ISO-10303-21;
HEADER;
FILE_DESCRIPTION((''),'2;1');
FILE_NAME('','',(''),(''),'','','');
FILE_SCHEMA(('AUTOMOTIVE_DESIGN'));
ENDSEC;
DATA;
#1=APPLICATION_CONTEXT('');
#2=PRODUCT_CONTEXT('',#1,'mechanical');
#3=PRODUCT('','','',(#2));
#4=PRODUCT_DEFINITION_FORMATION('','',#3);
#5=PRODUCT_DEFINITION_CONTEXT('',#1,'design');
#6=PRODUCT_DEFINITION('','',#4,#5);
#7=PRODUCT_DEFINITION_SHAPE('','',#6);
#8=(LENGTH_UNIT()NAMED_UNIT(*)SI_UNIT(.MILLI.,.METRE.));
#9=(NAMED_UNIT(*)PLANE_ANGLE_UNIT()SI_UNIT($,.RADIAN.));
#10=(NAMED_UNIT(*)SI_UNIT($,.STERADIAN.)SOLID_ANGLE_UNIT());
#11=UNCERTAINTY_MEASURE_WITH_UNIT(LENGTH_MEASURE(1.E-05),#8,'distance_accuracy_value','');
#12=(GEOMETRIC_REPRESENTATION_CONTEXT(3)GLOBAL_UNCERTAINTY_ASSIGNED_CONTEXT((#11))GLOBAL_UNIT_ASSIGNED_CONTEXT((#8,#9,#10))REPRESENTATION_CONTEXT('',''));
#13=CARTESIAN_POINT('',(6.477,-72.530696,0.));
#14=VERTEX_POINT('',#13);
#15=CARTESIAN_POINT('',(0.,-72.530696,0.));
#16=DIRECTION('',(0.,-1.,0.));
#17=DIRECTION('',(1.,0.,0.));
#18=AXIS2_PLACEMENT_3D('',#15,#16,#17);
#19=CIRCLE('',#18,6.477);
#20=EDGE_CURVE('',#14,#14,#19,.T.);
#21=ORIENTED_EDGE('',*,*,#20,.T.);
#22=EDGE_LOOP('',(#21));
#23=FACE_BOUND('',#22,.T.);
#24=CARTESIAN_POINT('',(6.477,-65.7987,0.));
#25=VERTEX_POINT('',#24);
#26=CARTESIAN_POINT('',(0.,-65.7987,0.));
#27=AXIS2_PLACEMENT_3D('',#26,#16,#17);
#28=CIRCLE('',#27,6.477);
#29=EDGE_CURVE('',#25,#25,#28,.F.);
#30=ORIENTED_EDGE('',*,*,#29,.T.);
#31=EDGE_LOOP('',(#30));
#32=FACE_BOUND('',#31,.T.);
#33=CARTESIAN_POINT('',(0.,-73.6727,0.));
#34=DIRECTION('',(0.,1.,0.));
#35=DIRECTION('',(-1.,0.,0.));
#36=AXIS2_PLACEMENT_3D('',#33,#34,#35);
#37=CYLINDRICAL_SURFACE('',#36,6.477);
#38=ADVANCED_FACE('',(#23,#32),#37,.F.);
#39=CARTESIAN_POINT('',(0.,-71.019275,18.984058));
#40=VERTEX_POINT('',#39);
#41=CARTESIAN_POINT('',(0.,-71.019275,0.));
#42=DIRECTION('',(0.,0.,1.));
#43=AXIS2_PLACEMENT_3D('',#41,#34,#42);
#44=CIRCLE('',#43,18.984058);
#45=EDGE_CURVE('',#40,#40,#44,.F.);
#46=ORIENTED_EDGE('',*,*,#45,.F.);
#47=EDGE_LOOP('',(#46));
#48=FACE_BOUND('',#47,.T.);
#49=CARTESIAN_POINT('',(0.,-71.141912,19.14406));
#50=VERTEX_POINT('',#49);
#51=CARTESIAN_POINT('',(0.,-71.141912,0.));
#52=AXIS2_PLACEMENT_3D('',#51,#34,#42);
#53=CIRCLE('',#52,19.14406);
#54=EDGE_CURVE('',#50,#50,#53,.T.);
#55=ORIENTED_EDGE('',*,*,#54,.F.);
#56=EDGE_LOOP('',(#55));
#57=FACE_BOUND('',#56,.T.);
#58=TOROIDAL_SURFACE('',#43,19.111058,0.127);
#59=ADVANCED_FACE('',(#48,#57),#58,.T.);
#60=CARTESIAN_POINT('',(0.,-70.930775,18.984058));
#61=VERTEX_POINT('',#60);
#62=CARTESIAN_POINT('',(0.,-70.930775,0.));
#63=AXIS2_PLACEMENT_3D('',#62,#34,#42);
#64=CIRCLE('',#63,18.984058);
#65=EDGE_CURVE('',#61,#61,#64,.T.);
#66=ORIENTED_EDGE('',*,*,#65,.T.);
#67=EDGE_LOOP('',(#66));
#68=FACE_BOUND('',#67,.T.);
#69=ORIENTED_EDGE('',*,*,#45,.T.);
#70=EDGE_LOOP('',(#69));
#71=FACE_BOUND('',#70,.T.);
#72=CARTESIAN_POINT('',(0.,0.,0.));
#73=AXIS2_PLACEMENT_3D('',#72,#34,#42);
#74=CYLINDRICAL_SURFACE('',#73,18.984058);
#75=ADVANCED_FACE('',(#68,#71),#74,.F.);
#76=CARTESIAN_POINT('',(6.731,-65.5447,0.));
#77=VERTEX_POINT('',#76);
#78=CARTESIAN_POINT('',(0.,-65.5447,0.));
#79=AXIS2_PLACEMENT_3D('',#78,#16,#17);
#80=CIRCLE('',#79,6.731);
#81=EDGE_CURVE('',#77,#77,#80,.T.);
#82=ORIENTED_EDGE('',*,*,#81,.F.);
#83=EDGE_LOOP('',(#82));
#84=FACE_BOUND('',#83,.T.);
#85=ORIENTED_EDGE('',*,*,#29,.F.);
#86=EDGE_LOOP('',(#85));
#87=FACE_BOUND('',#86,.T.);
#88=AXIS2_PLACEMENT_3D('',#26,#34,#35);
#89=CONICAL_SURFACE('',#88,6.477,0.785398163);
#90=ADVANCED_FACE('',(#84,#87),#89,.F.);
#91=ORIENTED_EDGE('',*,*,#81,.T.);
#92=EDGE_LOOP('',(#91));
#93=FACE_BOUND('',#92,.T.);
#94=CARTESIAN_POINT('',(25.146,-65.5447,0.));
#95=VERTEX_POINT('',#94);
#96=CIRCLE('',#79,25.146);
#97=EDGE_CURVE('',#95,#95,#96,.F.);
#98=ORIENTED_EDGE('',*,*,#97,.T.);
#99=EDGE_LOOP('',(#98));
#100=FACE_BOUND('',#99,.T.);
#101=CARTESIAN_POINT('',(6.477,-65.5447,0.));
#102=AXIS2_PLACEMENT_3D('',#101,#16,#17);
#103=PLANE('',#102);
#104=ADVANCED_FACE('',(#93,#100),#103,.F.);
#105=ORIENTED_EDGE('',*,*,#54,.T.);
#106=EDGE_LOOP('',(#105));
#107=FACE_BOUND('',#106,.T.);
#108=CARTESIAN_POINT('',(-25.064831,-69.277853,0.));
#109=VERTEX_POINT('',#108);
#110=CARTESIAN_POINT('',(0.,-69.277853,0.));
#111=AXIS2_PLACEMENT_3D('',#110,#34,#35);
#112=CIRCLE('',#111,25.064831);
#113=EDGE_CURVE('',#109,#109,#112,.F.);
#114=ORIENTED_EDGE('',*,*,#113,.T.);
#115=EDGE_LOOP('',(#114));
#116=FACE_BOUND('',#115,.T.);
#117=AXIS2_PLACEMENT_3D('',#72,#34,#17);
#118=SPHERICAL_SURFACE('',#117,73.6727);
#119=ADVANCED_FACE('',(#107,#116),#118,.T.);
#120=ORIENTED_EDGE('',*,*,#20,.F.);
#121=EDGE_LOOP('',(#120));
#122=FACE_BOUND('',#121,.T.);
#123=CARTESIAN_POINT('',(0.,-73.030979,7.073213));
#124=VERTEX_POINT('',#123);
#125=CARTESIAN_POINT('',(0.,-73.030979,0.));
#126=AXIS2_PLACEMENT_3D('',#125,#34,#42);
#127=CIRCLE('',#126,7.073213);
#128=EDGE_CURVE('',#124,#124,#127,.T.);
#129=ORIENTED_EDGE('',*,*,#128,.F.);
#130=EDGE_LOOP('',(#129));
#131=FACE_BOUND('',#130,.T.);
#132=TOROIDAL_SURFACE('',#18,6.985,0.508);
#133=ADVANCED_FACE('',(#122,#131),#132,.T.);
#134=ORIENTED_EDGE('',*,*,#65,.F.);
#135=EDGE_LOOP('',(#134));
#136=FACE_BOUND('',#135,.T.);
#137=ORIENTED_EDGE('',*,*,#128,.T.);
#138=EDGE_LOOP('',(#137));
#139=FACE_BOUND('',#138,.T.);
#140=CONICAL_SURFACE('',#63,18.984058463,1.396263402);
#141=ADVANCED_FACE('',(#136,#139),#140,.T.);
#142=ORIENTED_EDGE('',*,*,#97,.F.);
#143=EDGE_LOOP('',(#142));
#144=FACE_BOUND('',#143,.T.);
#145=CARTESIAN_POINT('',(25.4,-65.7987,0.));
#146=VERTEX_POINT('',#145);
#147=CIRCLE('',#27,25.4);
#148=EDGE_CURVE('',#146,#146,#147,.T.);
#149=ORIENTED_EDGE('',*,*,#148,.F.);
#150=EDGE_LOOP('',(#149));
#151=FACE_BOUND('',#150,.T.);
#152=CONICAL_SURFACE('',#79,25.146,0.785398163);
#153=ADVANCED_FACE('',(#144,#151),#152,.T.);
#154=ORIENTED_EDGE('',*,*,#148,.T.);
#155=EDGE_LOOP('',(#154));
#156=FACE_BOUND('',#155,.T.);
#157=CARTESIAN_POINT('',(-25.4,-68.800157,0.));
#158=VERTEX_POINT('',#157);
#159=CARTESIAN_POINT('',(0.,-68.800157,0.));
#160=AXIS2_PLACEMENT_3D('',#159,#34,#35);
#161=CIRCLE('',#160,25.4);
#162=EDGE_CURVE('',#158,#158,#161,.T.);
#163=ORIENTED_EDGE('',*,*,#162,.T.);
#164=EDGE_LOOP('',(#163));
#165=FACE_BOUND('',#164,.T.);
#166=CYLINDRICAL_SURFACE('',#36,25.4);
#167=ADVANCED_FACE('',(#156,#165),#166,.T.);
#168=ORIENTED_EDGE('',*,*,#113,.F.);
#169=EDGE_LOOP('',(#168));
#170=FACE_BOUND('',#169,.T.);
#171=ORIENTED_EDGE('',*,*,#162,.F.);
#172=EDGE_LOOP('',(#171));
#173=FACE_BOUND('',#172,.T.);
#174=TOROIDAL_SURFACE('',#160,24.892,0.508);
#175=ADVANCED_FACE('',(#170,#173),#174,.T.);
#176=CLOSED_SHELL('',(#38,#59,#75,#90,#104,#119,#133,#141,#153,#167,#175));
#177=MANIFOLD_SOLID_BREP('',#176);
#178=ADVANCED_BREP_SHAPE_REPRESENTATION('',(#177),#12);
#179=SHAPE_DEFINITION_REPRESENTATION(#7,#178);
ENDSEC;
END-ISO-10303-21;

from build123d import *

# Parameters (mm, degrees)
CHAMFER2_SIZE = 0.254
FILLET2_R     = 0.508
FILLET3_R     = 0.127


with BuildPart() as part:
    # Sketch2 → Revolve2 (revolve)
    with BuildSketch(Plane.XY, mode=Mode.PRIVATE) as revolve2_sk:
        with BuildLine():
            Line((25.4, -65.5447), (25.4, -69.155670232))
            ThreePointArc((25.4, -69.155670232), (16.078331209, -71.896828795), (6.477, -73.387432141))
            Line((6.477, -73.387432141), (6.477, -65.5447))
            Line((6.477, -65.5447), (25.4, -65.5447))
        make_face()
    revolve(revolve2_sk.sketch.rotate(Axis((0, -73.6727, 0), (0, -1, 0)), 180), axis=Axis((0, -73.6727, 0), (0, -1, 0)))  # turned: the seam where the file's is

    # Sketch3 → Cut-Revolve1 (revolve, cut)
    with BuildSketch(Plane.XY, mode=Mode.PRIVATE) as cut_revolve1_sk:
        with BuildLine():
            Line((6.477, -73.387432141), (6.477, -73.136107262))
            Line((6.477, -73.136107262), (18.984058463, -70.930775406))
            Line((18.984058463, -70.930775406), (18.984058463, -71.184775406))
            ThreePointArc((18.984058463, -71.184775406), (12.778078834, -72.55609848), (6.477, -73.387432141))
        make_face()
    revolve(cut_revolve1_sk.sketch.rotate(Axis((0, 0, 0), (0, -1, 0)), 90), axis=Axis((0, 0, 0), (0, -1, 0)), mode=Mode.SUBTRACT)  # turned: the seam where the file's is

    # Chamfer2
    chamfer2_edges = [part.edges().sort_by_distance(p)[0] for p in [
        (25.4, -65.5447, 0),
        (6.477, -65.5447, 0),
    ]]
    chamfer(chamfer2_edges, length=CHAMFER2_SIZE)

    # Fillet2
    fillet2_edges = [part.edges().sort_by_distance(p)[0] for p in [
        (4.579930622, -73.136107262, -4.579930622),
        (25.4, -69.155670232, 0),
    ]]
    fillet(fillet2_edges, radius=FILLET2_R)

    # Fillet3
    fillet3_edges = [part.edges().sort_by_distance(p)[0] for p in [
        (13.423756474, -71.184775406, -13.423756474),
    ]]
    fillet(fillet3_edges, radius=FILLET3_R)


solid = part.part
